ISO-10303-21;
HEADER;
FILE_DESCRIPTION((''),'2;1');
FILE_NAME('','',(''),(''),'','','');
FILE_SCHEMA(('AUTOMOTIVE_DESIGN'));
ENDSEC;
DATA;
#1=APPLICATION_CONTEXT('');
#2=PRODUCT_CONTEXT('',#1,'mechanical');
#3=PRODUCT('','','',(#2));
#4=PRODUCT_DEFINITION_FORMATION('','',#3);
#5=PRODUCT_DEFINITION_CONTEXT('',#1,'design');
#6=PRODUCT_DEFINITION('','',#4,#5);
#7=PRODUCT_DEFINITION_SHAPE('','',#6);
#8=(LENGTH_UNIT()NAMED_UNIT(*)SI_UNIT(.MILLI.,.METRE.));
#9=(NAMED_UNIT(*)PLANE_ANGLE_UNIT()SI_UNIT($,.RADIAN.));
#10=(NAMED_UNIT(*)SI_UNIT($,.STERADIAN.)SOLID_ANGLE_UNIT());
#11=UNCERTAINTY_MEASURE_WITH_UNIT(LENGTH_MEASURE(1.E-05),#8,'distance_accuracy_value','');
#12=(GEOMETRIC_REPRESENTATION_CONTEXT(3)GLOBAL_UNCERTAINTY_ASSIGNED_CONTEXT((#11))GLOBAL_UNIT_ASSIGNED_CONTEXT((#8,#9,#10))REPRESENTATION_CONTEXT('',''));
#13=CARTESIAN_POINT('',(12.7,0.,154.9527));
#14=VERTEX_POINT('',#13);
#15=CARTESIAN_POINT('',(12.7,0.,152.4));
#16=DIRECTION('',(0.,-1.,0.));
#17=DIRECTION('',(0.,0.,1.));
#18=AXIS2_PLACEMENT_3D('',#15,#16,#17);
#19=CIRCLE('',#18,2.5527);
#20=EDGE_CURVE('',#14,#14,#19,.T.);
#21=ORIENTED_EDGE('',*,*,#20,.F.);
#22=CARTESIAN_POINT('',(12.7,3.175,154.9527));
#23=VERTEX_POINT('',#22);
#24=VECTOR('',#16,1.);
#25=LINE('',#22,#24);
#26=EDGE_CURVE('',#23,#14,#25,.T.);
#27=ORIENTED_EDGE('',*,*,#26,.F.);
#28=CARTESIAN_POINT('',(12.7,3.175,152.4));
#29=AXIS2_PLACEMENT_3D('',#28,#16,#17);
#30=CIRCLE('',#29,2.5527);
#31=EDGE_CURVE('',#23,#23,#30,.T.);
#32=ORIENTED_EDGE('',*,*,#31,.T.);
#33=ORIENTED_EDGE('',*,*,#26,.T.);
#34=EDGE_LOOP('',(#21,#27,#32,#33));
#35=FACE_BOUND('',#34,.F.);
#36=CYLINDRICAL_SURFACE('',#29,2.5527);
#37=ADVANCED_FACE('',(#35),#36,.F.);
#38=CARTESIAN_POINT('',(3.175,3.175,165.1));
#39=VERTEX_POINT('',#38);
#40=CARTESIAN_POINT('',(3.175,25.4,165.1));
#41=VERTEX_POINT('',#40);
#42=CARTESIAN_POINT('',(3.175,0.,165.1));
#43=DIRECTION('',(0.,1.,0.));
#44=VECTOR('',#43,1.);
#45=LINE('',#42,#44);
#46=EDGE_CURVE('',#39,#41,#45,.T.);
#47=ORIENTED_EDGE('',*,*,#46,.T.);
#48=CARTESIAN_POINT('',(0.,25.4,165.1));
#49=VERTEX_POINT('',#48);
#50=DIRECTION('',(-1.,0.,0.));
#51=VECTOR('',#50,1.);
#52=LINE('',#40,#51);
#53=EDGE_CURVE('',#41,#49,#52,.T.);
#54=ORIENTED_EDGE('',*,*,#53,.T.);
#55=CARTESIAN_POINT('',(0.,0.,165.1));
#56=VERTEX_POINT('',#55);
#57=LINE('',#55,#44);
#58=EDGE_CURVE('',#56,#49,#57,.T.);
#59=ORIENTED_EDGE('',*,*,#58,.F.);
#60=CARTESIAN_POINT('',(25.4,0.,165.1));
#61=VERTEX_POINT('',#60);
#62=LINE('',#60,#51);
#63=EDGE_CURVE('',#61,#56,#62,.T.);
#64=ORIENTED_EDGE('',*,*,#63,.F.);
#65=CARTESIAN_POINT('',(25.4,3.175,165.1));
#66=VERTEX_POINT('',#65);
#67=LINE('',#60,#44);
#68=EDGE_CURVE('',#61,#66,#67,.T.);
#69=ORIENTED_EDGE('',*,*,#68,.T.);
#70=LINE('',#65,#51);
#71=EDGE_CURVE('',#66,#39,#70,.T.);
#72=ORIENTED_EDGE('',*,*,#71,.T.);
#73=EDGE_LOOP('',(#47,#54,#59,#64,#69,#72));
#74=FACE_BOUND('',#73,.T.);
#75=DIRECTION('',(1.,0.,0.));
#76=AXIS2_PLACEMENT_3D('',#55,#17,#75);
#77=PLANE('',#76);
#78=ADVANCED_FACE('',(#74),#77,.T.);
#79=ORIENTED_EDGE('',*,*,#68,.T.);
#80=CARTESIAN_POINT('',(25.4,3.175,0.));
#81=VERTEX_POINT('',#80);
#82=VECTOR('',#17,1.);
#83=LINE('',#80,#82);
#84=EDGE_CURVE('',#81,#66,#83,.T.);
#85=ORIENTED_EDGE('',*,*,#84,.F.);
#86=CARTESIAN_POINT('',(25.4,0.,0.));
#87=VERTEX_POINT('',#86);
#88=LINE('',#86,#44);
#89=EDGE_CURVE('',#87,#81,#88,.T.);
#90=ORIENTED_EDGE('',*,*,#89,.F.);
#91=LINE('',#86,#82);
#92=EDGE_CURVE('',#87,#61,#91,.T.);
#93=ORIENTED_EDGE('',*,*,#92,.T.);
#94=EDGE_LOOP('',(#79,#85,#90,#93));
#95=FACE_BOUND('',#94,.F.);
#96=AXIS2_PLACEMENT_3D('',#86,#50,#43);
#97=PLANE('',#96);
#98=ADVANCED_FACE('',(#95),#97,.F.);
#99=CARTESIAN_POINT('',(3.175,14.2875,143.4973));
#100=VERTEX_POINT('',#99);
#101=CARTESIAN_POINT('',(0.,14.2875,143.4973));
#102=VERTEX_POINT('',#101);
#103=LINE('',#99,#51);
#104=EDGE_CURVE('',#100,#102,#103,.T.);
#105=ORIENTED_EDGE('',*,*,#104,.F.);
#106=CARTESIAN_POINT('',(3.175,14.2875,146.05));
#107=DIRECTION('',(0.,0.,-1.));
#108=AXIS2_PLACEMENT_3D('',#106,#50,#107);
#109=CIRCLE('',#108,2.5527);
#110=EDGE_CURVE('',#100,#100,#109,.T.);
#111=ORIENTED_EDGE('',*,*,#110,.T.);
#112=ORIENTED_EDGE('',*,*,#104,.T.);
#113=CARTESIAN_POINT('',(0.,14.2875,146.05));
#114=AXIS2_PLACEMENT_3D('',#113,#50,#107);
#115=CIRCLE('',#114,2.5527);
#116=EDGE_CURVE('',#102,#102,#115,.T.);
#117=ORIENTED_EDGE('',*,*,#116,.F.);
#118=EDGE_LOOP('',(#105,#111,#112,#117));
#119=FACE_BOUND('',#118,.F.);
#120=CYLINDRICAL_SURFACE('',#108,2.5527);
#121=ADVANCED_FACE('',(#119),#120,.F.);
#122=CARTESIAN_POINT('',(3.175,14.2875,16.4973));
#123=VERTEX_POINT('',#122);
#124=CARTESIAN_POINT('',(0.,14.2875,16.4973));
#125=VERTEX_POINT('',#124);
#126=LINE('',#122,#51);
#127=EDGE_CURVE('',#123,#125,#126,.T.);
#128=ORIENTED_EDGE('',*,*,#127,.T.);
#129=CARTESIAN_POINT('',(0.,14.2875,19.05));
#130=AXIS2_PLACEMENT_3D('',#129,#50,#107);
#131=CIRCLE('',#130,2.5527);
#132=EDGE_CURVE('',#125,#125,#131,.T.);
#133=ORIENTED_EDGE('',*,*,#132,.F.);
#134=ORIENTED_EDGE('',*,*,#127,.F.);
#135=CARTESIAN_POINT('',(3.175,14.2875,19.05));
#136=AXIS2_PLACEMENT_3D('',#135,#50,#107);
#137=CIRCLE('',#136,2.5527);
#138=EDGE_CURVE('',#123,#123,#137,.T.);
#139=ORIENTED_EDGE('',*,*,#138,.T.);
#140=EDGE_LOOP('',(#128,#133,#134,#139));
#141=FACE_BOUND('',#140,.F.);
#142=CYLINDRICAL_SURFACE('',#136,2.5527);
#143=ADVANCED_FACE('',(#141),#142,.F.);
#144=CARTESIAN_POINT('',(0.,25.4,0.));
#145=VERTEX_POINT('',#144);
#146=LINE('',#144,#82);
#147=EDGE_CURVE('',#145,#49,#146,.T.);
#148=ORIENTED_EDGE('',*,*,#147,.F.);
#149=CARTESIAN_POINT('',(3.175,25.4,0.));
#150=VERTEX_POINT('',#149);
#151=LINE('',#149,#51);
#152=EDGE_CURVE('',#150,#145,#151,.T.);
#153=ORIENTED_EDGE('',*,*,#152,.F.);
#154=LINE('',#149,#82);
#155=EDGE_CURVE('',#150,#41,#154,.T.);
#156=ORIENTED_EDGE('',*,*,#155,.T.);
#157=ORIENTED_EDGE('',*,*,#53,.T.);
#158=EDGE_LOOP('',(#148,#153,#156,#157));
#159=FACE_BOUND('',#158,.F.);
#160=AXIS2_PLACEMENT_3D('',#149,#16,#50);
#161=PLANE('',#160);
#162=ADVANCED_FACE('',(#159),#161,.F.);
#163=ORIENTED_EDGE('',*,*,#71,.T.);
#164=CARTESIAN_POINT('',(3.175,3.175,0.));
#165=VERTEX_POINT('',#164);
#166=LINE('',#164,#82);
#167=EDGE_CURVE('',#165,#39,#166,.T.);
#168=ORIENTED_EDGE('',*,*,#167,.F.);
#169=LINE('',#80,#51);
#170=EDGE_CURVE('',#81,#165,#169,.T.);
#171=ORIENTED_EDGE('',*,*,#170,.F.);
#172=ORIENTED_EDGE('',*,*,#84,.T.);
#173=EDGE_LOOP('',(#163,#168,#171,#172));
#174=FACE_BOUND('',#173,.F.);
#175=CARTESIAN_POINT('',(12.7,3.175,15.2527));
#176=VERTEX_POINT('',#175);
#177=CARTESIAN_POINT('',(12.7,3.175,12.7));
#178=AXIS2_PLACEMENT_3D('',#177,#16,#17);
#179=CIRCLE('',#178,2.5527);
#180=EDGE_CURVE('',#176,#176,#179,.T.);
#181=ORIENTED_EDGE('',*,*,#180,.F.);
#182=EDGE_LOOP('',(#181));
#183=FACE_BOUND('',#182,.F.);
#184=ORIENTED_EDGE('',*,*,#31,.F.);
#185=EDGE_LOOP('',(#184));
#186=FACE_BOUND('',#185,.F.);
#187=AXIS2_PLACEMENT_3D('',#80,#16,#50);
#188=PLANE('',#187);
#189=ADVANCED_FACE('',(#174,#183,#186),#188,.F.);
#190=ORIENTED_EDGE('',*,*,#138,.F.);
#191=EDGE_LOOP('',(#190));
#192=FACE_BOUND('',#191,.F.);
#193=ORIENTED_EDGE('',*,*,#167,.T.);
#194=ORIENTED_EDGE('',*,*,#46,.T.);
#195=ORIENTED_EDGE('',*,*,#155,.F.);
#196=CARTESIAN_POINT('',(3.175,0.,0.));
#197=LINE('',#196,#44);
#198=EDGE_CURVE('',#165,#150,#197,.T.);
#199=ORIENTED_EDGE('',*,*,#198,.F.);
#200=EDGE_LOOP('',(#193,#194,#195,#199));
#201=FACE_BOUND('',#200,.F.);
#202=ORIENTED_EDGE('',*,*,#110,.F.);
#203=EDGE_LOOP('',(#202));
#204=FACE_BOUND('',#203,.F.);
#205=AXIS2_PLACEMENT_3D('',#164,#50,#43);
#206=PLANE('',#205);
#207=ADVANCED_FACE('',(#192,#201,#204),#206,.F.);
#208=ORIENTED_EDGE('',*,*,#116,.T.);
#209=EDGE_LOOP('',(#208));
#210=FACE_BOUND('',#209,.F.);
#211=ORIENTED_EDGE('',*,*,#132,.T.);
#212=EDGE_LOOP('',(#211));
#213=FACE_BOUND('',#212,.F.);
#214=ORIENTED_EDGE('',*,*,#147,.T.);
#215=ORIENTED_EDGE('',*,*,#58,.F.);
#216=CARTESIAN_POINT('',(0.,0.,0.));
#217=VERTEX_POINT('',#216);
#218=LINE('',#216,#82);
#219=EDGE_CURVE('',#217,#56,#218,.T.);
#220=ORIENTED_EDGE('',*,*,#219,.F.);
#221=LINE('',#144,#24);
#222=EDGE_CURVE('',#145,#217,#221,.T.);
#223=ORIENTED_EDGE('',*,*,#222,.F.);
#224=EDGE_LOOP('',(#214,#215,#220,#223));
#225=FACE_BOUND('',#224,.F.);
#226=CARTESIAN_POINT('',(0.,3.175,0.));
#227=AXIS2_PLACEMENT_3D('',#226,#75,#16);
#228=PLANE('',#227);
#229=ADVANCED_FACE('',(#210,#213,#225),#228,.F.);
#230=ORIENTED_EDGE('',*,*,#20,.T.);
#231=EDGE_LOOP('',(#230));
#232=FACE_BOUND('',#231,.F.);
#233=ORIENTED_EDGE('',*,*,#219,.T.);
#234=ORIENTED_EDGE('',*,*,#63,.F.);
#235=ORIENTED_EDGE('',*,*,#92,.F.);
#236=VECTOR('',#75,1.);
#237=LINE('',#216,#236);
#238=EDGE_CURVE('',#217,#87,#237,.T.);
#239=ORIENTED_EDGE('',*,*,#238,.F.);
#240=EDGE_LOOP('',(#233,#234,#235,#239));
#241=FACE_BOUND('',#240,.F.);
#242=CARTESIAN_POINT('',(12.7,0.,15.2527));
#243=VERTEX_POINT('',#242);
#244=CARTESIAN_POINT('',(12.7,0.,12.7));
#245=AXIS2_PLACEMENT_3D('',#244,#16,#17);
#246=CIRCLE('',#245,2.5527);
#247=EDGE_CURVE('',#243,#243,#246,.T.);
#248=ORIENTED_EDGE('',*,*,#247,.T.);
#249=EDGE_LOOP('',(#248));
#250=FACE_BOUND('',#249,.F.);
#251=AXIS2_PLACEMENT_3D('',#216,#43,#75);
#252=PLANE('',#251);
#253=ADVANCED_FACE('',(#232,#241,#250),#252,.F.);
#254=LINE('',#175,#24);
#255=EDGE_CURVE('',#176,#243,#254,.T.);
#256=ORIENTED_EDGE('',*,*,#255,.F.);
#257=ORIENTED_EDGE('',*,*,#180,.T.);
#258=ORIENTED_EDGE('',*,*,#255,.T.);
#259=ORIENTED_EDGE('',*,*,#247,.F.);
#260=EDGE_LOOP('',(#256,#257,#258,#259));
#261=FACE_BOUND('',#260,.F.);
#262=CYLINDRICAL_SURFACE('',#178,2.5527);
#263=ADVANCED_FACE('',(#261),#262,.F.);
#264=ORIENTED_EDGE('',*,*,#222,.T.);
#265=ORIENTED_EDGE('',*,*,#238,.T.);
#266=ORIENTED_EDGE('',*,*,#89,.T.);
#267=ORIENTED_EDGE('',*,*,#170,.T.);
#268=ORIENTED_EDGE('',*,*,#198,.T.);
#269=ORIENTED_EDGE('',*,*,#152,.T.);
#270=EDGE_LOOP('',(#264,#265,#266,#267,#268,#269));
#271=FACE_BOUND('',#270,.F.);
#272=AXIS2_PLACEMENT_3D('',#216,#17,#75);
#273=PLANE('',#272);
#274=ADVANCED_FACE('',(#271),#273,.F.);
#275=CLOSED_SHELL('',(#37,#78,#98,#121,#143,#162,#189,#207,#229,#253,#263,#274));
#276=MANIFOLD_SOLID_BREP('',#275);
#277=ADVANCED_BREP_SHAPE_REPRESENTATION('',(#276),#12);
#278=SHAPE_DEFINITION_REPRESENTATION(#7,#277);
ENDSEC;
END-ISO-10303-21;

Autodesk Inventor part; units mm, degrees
ref_plane "YZ Plane" through (0, 0, 0) normal (1, 0, 0) x (0, 1, 0)
ref_plane "XZ Plane" through (0, 0, 0) normal (0, 1, 0) x (-1, 0, 0)
ref_plane "XY Plane" through (0, 0, 0) normal (0, 0, 1) x (1, 0, 0)
sketch "Sketch1" plane through (0, 0, 0) normal (0, 0, 1) x (1, 0, 0)
  line L0 (0, 0) -> (3.175, 0)
  line L1 (3.175, 0) -> (3.175, 25.4)
  line L2 (3.175, 25.4) -> (0, 25.4)
  line L3 (0, 25.4) -> (0, 0)
  line L4 (0, 0) -> (25.4, 0)
  line L5 (25.4, 0) -> (25.4, 3.175)
  line L6 (25.4, 3.175) -> (0, 3.175)
  line L7 (0, 3.175) -> (0, 0)
  dimension "d0" = 3.175
  dimension "d1" = 25.4
extrude "Extrusion1" add sketch "Sketch1" along normal blind 165.1
sketch "Sketch2" plane through (3.175, 3.175, 0) normal (1, 0, 0) x (0, 0, -1)
  line L0 (-165.1, 0) -> (-165.1, 22.225) projected
  line L1 (0, -3.175) -> (-165.1, -3.175) projected
  point P0 (-146.05, 11.1125)
  point P1 (-19.05, 11.1125)
  dimension "d4" = 19.05
  dimension "d5" = 127
  dimension "d6" = 14.2875
hole "Hole1" at (3.175, 14.2875, 146.05) at (3.175, 14.2875, 19.05) direction (-1, 0, 0) diameter 5.1054 end through all clearance for "Flat Head Machine Screw (82)" size "#10" standard "Ansi Unified Screw Threads"
sketch "Sketch3" plane through (3.175, 3.175, 0) normal (0, 1, 0) x (1, 0, 0)
  line L0 (22.225, 0) -> (0, 0) projected
  line L1 (22.225, 0) -> (22.225, -165.1) projected
  line L2 (0, 0) -> (0, -165.1) projected
  point P0 (-3.175, 0)
  point P1 (9.525, -152.4)
  point P2 (9.525, -12.7)
  dimension "d14" = 12.7
  dimension "d15" = 139.7
  dimension "d16" = 12.7
  dimension "d17" = 9.525
hole "Hole2" at (12.7, 3.175, 152.4) at (12.7, 3.175, 12.7) direction (0, -1, 0) diameter 5.1054 end through all clearance for "Flat Head Machine Screw (82)" size "#10" standard "Ansi Unified Screw Threads"
properties part number "FRA_014_AngleBracketGearbox" material "Aluminum 6061"
